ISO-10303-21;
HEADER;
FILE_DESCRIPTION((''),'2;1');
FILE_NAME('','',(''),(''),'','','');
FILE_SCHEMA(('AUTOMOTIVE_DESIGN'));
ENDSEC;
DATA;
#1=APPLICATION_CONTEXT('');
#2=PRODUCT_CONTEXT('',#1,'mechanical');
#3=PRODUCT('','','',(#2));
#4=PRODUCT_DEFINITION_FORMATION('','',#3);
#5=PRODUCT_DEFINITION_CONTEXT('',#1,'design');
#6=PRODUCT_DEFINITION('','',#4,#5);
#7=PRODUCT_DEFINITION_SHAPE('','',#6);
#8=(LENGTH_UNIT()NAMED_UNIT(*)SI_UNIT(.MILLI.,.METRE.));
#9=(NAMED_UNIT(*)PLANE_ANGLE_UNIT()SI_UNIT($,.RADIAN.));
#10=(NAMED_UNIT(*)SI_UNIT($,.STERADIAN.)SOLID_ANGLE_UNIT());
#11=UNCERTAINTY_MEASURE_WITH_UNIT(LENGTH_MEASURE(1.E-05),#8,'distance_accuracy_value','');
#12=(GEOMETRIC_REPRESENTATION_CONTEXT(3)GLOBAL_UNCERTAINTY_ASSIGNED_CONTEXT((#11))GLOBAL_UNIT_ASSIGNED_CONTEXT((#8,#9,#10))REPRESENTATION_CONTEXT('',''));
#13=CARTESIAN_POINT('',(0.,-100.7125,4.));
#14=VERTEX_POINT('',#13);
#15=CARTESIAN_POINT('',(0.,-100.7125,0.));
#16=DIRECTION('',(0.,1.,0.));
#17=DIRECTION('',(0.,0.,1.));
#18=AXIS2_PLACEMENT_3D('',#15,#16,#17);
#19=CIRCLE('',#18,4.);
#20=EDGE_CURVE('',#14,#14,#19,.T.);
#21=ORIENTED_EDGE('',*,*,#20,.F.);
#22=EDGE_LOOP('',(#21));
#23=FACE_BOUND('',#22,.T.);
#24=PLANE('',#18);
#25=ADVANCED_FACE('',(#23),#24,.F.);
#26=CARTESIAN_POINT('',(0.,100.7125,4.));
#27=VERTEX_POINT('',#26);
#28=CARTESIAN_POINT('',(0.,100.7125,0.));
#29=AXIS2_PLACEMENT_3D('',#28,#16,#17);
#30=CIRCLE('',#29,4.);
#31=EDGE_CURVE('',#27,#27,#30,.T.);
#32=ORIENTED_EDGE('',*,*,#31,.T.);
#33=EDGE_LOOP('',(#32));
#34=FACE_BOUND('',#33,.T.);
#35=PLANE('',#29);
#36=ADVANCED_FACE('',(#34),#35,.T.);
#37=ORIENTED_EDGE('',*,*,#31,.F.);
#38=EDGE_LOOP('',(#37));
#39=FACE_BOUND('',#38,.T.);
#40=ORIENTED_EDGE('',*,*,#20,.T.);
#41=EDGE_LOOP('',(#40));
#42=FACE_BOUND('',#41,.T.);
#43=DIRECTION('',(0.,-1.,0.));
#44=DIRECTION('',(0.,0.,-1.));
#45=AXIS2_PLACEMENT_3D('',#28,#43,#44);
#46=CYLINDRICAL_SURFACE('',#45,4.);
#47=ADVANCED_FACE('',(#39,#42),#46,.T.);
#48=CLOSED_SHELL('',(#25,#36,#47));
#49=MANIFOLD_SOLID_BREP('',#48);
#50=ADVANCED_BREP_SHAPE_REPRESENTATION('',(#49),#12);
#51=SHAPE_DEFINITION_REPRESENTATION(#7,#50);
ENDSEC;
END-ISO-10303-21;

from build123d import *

# Parameters (mm, degrees)
SKETCH1_R           = 4
BOSS_EXTRUDE1_DEPTH = 100.7125


with BuildPart() as part:
    # Sketch1 → Boss-Extrude1 (new body, symmetric)
    with BuildSketch(Plane(origin=(0, 0, 0), x_dir=(1, 0, 0), z_dir=(0, 1, 0))):
        Circle(SKETCH1_R)
    extrude(amount=BOSS_EXTRUDE1_DEPTH, both=True)


solid = part.part
